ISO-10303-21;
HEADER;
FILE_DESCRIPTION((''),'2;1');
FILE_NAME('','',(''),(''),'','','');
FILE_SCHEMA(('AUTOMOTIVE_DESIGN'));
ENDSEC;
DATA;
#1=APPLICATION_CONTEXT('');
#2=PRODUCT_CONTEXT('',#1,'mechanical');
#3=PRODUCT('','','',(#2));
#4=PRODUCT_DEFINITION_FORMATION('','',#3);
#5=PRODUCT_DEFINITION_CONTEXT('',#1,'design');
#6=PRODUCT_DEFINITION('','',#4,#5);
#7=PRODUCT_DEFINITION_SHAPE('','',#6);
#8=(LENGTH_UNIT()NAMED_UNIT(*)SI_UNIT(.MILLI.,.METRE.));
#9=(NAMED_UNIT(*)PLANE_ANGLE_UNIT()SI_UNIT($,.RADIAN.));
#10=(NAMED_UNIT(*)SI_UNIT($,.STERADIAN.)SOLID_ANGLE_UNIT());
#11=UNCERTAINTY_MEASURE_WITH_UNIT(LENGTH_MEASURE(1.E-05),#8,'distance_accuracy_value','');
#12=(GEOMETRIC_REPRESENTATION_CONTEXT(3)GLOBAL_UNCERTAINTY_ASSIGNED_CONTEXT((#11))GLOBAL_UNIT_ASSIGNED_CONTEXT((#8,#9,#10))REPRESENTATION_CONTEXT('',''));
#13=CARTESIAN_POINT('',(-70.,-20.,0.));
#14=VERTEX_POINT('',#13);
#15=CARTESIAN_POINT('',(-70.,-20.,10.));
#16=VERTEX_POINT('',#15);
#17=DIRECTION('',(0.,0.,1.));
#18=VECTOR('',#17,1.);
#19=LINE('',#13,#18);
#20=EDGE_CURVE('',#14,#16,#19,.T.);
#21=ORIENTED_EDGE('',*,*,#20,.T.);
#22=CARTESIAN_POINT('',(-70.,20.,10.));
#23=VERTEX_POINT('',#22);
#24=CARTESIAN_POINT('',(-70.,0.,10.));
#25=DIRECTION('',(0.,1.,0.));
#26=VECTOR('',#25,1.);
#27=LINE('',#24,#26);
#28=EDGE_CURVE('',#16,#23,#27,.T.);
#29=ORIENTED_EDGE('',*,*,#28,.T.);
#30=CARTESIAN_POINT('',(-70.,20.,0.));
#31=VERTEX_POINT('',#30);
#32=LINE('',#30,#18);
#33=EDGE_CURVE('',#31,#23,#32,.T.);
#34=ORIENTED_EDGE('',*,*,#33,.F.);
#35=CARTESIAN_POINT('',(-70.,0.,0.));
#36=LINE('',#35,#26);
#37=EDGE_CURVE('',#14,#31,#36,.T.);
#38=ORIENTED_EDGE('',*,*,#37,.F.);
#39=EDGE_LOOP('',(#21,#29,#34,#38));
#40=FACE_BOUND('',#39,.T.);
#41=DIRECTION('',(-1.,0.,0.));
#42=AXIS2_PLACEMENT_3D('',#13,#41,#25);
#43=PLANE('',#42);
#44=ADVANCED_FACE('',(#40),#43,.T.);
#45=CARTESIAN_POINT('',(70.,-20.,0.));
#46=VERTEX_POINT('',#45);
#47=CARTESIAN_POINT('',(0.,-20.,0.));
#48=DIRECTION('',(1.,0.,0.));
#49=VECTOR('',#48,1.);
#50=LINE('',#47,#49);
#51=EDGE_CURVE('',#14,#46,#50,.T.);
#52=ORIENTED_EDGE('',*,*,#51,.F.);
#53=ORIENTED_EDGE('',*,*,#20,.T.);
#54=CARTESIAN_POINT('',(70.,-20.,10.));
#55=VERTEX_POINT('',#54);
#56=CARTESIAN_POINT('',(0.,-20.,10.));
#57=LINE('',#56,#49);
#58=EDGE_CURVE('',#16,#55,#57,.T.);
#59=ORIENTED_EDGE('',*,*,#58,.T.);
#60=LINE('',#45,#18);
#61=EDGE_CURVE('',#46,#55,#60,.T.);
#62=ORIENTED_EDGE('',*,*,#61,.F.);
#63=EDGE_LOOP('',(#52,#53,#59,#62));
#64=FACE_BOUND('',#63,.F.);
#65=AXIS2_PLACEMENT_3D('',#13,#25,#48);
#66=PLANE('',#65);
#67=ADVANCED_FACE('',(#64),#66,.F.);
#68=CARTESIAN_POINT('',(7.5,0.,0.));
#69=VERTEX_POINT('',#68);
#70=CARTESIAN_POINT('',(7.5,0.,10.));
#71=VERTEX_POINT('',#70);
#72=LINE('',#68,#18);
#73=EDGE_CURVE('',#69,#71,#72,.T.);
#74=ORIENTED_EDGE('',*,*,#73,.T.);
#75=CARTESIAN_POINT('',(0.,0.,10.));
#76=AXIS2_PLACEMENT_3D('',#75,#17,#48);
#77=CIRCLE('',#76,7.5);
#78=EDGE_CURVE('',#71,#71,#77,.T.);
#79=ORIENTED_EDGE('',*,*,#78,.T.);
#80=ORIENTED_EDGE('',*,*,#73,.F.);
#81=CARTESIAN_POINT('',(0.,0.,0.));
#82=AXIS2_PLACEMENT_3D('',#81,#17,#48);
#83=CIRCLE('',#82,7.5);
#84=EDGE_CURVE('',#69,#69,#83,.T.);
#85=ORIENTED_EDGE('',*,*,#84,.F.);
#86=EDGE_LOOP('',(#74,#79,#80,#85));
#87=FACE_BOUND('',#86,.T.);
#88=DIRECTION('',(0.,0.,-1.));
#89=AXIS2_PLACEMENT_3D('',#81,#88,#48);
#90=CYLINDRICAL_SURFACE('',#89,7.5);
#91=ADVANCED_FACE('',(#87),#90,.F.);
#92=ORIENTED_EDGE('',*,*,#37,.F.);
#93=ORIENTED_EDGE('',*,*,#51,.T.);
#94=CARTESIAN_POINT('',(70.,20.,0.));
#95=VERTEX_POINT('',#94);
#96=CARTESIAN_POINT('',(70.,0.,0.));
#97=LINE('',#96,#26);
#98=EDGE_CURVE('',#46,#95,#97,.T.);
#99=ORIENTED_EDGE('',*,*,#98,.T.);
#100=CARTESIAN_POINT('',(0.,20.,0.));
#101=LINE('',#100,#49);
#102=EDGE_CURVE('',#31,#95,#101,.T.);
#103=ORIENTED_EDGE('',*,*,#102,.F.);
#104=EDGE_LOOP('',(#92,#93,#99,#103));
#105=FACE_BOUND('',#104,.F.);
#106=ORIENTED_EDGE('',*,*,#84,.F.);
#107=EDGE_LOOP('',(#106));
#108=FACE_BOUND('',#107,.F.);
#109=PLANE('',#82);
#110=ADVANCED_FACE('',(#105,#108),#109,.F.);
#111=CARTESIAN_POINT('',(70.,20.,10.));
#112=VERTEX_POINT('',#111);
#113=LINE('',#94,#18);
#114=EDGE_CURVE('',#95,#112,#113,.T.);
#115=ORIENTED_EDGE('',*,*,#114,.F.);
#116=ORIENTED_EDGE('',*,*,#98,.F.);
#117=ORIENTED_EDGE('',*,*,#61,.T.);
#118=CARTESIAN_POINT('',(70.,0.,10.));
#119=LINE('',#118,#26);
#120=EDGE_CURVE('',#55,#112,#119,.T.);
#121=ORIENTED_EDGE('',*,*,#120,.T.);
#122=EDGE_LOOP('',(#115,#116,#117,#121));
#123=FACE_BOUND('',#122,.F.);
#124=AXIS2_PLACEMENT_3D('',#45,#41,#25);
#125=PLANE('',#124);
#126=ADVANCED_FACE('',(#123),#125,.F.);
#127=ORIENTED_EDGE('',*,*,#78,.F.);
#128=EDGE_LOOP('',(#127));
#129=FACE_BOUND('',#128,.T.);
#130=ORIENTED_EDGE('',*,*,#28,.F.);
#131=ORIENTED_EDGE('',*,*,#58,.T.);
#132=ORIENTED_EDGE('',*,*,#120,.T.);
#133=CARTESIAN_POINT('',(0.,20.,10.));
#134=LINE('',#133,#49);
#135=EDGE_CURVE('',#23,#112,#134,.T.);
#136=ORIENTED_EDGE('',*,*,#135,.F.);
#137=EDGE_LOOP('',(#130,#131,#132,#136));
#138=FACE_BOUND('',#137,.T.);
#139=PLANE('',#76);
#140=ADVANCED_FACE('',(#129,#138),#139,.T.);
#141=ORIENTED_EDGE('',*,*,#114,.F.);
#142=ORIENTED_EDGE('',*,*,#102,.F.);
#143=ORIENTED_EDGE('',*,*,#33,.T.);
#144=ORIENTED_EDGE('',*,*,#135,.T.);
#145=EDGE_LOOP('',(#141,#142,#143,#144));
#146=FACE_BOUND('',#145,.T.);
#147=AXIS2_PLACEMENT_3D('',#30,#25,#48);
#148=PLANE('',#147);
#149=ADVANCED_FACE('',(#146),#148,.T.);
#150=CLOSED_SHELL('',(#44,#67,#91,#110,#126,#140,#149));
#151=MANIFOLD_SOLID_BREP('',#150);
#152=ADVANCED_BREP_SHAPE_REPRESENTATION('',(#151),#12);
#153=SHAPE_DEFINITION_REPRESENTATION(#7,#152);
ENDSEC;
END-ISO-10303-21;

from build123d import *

# Parameters (mm, degrees)
SKETCH_W  = 140
SKETCH_H  = 40
SKETCH_R  = 7.5
PAD_DEPTH = 10


with BuildPart() as part:
    # Sketch → Pad (new body)
    with BuildSketch(Plane.XY):
        Rectangle(SKETCH_W, SKETCH_H)
        Circle(SKETCH_R, mode=Mode.SUBTRACT)
    extrude(amount=PAD_DEPTH)


solid = part.part
